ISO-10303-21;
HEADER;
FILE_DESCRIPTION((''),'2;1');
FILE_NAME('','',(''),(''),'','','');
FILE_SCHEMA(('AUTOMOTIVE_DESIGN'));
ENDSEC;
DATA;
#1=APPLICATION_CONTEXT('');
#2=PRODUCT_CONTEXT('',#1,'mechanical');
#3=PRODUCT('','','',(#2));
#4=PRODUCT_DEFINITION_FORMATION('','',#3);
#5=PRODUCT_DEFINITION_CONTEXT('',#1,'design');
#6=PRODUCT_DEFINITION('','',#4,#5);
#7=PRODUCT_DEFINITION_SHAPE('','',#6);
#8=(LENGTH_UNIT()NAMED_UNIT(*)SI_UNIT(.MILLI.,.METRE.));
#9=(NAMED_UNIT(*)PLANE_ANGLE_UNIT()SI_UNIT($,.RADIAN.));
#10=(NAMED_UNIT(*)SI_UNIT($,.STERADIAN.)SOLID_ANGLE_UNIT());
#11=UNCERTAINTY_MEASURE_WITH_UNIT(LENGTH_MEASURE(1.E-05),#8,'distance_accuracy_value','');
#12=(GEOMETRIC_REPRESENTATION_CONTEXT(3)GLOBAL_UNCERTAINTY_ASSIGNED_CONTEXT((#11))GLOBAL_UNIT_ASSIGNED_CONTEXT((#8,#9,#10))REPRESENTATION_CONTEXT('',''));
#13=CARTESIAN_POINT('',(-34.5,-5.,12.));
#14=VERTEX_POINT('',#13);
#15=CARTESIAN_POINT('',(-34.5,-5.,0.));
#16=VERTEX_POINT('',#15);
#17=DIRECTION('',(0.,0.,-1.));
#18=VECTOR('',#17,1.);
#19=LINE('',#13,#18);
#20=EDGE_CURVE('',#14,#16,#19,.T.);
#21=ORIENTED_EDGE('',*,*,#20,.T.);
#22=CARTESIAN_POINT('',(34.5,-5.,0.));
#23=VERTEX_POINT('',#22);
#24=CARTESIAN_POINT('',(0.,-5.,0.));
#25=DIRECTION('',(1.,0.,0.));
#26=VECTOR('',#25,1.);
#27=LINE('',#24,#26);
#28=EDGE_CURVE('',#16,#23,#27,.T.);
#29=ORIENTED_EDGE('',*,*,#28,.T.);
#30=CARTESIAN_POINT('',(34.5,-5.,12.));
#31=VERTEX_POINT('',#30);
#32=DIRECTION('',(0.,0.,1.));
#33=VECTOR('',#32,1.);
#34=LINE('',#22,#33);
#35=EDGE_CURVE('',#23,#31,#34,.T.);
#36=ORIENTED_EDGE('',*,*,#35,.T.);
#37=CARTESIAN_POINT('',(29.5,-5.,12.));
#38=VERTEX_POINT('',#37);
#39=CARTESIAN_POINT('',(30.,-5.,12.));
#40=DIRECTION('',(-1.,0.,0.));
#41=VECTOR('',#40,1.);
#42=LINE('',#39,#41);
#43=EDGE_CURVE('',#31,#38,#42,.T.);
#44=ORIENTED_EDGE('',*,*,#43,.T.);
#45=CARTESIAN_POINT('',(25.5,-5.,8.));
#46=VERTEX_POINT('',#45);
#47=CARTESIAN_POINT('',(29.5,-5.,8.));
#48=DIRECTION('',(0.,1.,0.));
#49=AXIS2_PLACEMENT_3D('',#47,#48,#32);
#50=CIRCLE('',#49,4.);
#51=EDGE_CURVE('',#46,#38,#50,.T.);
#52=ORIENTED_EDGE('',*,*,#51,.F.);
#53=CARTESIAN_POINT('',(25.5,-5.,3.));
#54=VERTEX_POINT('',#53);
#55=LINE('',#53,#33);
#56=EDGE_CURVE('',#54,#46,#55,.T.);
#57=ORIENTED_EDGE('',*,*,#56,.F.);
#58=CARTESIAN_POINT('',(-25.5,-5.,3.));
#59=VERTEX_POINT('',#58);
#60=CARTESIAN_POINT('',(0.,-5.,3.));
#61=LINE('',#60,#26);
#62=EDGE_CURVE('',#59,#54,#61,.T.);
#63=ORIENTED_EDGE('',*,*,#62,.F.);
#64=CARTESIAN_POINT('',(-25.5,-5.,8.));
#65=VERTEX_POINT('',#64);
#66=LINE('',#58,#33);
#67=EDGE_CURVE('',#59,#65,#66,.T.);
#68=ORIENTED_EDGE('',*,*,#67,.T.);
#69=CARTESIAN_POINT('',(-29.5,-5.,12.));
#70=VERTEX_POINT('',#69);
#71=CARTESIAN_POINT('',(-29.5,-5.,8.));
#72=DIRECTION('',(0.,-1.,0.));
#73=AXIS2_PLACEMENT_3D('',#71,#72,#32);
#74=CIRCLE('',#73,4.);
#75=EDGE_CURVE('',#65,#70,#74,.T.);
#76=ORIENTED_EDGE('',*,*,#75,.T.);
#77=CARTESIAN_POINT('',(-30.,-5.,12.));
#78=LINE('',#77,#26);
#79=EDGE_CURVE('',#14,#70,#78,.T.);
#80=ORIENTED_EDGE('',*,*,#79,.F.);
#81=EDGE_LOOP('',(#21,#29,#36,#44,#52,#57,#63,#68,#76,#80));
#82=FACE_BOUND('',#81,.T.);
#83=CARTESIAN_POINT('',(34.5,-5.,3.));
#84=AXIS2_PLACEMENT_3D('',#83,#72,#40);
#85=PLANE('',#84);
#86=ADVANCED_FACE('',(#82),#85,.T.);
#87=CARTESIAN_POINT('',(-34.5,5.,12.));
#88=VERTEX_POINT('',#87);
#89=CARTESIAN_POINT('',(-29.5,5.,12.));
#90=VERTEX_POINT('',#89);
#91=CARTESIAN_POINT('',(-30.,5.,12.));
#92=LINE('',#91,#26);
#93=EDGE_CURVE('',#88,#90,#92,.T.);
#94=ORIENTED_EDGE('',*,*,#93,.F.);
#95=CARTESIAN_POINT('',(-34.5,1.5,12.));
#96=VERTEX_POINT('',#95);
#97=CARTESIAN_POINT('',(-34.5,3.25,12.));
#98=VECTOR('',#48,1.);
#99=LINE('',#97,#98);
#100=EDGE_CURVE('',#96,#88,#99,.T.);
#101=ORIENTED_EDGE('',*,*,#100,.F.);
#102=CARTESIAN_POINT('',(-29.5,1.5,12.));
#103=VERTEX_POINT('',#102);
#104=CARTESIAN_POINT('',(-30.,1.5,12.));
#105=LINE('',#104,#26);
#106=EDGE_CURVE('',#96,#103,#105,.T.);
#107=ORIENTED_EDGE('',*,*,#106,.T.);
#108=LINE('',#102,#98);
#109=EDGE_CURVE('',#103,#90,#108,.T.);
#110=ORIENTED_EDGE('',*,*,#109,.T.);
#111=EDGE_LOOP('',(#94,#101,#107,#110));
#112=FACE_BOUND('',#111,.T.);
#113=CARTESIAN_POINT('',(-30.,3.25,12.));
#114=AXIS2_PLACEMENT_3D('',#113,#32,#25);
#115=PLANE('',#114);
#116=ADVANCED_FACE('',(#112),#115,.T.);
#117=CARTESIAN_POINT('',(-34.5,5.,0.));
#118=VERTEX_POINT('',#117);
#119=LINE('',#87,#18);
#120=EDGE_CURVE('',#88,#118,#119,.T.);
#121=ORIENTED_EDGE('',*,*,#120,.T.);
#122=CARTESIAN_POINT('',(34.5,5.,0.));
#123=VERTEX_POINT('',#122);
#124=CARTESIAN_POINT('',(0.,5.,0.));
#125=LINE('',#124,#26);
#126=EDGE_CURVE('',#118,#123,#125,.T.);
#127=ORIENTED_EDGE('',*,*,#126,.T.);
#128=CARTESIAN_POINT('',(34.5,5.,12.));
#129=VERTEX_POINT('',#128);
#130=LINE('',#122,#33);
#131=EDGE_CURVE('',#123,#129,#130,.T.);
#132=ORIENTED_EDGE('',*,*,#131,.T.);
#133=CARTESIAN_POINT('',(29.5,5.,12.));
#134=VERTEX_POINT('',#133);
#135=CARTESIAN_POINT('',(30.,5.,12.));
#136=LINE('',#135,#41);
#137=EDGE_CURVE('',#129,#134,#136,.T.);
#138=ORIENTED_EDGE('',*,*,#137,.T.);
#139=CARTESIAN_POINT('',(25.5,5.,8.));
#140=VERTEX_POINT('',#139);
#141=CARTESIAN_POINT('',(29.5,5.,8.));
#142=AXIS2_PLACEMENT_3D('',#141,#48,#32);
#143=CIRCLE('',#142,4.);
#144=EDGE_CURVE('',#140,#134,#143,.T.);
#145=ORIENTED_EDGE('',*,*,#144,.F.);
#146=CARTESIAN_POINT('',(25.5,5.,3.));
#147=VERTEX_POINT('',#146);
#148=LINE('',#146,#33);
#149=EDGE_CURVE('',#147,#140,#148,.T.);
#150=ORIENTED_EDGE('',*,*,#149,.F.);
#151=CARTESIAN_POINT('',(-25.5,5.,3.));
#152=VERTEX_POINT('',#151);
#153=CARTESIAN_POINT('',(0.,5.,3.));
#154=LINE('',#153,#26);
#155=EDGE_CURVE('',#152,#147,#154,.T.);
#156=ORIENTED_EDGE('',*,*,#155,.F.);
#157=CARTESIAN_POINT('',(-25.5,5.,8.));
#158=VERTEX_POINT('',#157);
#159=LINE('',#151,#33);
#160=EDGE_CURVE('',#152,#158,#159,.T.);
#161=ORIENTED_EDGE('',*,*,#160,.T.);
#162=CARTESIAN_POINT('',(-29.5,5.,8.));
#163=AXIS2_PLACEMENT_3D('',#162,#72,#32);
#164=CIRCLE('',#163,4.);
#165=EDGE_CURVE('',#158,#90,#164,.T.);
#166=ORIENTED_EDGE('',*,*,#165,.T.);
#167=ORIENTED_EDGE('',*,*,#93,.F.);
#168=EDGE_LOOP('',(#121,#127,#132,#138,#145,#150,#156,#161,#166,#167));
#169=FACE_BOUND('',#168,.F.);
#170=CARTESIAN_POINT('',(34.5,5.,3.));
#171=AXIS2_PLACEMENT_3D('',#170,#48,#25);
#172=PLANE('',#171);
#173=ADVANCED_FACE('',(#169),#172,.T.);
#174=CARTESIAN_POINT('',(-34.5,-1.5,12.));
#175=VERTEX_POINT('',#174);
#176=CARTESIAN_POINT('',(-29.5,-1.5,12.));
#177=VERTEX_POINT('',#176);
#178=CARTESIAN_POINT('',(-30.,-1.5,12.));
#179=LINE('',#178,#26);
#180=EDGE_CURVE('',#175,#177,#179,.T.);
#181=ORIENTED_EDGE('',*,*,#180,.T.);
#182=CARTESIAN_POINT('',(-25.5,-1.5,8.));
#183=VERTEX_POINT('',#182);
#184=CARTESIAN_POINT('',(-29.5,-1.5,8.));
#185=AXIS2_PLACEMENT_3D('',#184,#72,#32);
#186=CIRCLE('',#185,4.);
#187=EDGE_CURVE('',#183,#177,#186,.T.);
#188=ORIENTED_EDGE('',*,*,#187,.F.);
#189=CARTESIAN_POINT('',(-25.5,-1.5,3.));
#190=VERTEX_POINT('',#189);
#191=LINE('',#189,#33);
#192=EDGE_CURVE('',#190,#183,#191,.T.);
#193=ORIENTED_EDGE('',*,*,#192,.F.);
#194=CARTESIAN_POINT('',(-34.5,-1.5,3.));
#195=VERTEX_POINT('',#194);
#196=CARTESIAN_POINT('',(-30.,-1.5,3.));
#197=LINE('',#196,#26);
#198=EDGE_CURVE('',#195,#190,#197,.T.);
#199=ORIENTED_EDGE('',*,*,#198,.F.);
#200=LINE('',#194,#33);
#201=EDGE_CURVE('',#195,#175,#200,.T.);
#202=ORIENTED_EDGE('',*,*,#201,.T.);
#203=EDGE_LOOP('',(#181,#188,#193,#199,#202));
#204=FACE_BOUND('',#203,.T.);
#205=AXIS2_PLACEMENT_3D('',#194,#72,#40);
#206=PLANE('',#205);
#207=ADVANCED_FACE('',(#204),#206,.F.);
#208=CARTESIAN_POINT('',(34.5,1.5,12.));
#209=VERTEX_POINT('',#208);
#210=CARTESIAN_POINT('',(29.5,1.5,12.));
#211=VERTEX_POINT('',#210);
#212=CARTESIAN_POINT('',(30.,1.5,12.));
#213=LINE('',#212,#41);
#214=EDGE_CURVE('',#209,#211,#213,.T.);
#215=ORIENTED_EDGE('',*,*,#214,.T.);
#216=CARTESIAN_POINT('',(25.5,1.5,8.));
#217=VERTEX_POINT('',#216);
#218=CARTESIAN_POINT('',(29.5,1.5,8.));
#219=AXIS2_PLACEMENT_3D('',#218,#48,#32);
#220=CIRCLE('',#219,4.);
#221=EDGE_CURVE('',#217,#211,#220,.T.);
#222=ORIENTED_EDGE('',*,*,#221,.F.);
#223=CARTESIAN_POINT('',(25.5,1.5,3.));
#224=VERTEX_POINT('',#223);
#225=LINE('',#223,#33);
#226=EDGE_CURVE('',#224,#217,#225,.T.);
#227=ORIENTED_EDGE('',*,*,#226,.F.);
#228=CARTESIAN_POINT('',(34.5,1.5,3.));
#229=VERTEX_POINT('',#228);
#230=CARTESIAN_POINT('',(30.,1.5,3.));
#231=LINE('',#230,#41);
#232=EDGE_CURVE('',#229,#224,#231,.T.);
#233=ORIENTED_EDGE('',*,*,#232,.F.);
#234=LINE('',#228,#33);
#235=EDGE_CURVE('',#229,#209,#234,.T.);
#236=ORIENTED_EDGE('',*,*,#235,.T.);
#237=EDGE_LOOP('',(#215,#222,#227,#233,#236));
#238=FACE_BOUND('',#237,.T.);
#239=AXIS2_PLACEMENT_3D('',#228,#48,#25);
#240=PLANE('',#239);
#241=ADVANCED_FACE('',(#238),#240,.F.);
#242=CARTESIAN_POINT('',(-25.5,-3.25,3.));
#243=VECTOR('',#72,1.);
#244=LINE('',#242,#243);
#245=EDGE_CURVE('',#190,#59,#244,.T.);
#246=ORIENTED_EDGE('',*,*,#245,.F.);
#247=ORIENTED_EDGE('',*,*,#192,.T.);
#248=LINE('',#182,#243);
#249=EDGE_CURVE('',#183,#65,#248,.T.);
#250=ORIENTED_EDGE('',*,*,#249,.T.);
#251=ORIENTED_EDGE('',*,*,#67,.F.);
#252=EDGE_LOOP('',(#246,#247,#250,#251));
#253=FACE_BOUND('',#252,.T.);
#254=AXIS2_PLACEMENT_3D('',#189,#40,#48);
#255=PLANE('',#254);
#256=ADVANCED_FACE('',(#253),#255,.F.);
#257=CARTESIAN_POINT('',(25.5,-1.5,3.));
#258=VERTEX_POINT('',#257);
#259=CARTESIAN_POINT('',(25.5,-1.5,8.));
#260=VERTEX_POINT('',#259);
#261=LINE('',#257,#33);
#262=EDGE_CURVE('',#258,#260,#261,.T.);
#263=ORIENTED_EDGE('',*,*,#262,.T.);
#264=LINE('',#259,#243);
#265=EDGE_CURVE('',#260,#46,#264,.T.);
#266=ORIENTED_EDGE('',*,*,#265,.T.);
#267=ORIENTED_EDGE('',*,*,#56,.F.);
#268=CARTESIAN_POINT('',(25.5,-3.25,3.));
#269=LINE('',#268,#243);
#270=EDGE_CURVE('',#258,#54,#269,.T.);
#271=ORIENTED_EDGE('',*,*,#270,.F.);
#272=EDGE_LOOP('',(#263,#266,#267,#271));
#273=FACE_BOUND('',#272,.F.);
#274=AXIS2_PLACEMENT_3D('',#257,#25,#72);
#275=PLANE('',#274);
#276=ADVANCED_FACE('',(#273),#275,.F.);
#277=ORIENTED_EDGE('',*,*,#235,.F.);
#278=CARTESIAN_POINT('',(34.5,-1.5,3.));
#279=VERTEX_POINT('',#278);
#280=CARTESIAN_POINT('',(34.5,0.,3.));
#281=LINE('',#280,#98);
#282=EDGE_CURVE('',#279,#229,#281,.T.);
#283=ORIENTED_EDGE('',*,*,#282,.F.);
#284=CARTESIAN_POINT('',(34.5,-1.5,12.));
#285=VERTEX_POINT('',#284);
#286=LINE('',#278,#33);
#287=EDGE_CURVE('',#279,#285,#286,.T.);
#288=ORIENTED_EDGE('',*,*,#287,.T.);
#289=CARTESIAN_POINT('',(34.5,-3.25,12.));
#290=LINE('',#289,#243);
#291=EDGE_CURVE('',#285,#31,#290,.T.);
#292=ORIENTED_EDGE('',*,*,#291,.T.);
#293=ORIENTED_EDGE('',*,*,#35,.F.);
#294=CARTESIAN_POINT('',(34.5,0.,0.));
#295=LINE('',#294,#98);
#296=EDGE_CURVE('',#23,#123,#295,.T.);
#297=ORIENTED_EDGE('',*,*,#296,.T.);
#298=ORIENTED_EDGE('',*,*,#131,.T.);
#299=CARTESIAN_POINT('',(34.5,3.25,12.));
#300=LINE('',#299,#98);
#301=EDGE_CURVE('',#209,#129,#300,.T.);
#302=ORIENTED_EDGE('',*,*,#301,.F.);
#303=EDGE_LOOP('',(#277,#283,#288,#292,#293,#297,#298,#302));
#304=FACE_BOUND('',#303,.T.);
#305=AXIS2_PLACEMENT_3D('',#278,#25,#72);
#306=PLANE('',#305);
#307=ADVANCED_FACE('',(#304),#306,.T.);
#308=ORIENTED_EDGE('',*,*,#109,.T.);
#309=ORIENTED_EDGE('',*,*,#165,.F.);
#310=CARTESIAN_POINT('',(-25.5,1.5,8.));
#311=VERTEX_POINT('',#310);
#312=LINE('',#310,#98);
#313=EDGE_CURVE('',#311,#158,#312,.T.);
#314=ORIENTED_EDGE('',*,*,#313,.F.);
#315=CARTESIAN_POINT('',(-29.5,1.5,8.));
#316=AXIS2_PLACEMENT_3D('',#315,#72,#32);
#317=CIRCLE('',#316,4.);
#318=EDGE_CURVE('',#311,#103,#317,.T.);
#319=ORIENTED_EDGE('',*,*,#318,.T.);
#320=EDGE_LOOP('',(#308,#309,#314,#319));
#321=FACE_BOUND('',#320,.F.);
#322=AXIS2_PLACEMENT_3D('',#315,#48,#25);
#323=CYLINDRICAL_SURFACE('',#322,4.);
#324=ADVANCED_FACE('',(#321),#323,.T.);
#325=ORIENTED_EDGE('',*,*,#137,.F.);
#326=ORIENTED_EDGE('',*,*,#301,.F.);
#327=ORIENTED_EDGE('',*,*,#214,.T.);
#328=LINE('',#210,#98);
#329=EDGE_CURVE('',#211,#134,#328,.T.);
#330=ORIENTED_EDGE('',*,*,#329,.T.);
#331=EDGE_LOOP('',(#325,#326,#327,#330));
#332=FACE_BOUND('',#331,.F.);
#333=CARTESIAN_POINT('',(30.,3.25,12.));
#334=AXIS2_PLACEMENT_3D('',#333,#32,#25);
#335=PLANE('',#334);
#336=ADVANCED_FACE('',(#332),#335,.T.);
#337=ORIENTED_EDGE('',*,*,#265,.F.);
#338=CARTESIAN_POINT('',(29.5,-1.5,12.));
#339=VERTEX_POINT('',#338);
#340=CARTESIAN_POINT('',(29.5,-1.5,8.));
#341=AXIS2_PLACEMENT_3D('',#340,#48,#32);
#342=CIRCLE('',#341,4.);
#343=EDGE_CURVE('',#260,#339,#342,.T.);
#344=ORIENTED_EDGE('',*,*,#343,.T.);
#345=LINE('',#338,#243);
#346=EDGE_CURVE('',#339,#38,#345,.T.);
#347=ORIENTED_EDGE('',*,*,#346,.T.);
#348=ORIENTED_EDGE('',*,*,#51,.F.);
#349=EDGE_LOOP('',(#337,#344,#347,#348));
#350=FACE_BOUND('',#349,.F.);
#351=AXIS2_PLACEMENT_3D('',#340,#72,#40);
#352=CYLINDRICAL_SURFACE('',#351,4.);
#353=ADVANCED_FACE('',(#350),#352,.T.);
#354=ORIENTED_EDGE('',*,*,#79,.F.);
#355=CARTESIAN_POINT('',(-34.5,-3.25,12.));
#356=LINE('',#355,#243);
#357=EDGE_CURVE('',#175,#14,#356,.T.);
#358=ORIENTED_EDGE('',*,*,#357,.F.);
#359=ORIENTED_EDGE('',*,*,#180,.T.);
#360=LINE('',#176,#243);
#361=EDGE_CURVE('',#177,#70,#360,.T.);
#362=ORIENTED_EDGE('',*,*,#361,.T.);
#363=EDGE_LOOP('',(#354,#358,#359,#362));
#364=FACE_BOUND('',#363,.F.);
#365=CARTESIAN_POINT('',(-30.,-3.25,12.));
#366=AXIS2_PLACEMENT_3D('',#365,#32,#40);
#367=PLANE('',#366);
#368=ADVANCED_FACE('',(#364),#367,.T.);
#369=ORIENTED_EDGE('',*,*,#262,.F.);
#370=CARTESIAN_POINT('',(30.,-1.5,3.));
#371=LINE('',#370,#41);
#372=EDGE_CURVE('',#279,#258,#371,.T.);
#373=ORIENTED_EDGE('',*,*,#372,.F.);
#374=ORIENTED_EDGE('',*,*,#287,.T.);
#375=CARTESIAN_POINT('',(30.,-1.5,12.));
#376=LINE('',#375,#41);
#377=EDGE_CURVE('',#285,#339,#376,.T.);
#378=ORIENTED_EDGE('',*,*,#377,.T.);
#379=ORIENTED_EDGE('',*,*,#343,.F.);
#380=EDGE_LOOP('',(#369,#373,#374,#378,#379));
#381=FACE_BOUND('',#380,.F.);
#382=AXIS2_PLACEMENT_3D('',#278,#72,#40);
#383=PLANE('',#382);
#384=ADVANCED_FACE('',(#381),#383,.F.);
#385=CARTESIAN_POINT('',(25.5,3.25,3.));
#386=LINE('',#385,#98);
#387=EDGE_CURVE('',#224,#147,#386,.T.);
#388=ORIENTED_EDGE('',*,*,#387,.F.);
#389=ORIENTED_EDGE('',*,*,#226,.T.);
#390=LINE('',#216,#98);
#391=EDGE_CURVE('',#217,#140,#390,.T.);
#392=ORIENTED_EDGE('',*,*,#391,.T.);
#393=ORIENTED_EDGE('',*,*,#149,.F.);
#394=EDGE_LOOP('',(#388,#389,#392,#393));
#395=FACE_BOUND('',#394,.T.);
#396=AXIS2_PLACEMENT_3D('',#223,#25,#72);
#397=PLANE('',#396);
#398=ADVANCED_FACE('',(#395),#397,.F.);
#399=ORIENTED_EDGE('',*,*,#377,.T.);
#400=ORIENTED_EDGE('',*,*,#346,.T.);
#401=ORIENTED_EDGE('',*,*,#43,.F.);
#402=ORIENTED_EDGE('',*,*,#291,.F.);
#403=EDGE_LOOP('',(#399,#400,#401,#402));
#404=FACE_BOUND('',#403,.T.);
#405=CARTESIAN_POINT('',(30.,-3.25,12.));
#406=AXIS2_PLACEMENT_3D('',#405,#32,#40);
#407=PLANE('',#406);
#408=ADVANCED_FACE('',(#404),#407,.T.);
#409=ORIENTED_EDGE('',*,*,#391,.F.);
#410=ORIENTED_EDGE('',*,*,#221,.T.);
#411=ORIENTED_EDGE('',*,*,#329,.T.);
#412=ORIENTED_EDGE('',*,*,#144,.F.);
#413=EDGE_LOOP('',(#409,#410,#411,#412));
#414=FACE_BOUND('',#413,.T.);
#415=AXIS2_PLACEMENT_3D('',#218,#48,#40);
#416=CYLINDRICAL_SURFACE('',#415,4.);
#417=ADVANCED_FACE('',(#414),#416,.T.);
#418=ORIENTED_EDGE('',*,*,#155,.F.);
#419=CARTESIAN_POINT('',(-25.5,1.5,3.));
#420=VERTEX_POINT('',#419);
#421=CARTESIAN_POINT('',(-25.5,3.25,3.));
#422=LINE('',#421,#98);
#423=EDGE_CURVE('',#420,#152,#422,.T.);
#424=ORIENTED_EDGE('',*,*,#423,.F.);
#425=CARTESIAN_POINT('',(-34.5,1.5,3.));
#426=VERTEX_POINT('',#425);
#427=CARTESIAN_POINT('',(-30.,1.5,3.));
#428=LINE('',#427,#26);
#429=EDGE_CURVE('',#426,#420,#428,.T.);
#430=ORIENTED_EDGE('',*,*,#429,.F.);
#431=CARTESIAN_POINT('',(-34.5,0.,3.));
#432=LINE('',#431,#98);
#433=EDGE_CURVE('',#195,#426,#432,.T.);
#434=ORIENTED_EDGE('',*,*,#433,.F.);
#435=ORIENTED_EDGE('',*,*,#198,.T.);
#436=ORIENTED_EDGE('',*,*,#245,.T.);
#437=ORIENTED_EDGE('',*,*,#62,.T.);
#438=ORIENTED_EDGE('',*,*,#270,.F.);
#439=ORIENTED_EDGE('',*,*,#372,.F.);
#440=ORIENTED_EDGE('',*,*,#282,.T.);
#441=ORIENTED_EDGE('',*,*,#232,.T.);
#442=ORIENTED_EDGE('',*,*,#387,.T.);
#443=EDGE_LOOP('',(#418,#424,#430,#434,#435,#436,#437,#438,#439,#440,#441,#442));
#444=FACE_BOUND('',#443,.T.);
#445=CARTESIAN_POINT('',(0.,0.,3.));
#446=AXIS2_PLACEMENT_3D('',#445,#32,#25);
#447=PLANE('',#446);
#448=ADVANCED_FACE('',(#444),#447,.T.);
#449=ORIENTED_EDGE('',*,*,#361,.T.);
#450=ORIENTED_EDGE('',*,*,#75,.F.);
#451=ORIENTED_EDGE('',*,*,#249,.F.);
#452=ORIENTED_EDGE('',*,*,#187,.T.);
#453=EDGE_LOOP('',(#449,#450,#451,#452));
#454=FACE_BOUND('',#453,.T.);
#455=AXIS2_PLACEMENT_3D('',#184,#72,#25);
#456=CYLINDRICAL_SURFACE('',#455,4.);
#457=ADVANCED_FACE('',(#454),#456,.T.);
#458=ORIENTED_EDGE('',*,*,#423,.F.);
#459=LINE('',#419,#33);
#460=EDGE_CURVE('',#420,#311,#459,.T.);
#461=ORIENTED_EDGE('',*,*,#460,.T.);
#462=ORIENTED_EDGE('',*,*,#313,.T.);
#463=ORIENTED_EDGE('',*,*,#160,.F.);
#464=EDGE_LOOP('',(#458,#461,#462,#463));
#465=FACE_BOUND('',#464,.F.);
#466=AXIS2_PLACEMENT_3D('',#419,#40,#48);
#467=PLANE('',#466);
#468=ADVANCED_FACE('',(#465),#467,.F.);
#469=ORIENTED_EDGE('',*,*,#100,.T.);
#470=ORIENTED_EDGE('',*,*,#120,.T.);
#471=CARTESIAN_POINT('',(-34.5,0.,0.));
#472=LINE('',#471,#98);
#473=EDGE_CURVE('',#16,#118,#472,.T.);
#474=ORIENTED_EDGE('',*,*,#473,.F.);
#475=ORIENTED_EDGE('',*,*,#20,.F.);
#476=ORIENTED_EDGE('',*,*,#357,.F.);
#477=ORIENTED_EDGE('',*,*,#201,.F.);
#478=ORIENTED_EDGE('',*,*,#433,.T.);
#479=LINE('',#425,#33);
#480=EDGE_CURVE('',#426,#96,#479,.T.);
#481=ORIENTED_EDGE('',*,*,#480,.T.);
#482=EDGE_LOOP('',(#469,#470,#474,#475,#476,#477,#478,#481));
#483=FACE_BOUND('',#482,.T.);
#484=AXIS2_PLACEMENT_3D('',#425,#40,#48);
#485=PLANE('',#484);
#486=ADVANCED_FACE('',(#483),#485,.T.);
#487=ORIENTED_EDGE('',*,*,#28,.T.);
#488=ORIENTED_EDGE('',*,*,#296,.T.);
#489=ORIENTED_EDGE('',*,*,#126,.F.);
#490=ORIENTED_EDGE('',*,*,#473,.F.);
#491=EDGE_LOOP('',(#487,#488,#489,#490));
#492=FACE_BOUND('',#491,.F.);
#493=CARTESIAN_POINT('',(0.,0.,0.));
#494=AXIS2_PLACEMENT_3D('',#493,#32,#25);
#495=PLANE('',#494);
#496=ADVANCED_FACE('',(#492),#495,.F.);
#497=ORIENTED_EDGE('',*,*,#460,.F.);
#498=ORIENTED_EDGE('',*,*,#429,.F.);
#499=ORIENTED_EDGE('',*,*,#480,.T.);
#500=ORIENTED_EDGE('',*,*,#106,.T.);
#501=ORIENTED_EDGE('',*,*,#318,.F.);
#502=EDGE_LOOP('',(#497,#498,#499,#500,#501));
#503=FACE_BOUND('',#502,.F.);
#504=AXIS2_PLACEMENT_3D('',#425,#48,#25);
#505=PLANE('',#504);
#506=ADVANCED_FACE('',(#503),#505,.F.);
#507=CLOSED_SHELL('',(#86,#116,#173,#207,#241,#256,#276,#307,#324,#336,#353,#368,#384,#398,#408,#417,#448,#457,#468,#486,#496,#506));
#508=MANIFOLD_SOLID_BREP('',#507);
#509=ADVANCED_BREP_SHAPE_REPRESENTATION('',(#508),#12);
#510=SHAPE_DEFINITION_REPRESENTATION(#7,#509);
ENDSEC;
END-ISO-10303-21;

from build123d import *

# Parameters (mm, degrees)
F2_W     = 69
F2_H     = 10
F3_DEPTH = 3
F4_W     = 9
F4_H     = 3.5
F5_DEPTH = 9
F6_R     = 4


with BuildPart() as f3:
    # F2 (on Top) → F3 (new body)
    with BuildSketch(Plane.XY):
        Rectangle(F2_W, F2_H)
    extrude(amount=F3_DEPTH)

    # F4 (on face) → F5 (join)
    with BuildSketch(Plane.XY.offset(3)):
        with Locations((-30, 3.25)):
            Rectangle(F4_W, F4_H)
    extrude(amount=F5_DEPTH)

    # F6
    f6_edges = [f3.edges().sort_by_distance(p)[0] for p in [
        (-25.5, 3.25, 12),
    ]]
    fillet(f6_edges, radius=F6_R)

    # F7: F3 across plane


with BuildPart() as f3_1:
    add(f3.part)
    add(f3.part.mirror(Plane.YZ))

    # F8: F3 across plane


with BuildPart() as f3_2:
    add(f3_1.part)
    add(f3_1.part.mirror(Plane.XZ))


solid = f3_2.part
